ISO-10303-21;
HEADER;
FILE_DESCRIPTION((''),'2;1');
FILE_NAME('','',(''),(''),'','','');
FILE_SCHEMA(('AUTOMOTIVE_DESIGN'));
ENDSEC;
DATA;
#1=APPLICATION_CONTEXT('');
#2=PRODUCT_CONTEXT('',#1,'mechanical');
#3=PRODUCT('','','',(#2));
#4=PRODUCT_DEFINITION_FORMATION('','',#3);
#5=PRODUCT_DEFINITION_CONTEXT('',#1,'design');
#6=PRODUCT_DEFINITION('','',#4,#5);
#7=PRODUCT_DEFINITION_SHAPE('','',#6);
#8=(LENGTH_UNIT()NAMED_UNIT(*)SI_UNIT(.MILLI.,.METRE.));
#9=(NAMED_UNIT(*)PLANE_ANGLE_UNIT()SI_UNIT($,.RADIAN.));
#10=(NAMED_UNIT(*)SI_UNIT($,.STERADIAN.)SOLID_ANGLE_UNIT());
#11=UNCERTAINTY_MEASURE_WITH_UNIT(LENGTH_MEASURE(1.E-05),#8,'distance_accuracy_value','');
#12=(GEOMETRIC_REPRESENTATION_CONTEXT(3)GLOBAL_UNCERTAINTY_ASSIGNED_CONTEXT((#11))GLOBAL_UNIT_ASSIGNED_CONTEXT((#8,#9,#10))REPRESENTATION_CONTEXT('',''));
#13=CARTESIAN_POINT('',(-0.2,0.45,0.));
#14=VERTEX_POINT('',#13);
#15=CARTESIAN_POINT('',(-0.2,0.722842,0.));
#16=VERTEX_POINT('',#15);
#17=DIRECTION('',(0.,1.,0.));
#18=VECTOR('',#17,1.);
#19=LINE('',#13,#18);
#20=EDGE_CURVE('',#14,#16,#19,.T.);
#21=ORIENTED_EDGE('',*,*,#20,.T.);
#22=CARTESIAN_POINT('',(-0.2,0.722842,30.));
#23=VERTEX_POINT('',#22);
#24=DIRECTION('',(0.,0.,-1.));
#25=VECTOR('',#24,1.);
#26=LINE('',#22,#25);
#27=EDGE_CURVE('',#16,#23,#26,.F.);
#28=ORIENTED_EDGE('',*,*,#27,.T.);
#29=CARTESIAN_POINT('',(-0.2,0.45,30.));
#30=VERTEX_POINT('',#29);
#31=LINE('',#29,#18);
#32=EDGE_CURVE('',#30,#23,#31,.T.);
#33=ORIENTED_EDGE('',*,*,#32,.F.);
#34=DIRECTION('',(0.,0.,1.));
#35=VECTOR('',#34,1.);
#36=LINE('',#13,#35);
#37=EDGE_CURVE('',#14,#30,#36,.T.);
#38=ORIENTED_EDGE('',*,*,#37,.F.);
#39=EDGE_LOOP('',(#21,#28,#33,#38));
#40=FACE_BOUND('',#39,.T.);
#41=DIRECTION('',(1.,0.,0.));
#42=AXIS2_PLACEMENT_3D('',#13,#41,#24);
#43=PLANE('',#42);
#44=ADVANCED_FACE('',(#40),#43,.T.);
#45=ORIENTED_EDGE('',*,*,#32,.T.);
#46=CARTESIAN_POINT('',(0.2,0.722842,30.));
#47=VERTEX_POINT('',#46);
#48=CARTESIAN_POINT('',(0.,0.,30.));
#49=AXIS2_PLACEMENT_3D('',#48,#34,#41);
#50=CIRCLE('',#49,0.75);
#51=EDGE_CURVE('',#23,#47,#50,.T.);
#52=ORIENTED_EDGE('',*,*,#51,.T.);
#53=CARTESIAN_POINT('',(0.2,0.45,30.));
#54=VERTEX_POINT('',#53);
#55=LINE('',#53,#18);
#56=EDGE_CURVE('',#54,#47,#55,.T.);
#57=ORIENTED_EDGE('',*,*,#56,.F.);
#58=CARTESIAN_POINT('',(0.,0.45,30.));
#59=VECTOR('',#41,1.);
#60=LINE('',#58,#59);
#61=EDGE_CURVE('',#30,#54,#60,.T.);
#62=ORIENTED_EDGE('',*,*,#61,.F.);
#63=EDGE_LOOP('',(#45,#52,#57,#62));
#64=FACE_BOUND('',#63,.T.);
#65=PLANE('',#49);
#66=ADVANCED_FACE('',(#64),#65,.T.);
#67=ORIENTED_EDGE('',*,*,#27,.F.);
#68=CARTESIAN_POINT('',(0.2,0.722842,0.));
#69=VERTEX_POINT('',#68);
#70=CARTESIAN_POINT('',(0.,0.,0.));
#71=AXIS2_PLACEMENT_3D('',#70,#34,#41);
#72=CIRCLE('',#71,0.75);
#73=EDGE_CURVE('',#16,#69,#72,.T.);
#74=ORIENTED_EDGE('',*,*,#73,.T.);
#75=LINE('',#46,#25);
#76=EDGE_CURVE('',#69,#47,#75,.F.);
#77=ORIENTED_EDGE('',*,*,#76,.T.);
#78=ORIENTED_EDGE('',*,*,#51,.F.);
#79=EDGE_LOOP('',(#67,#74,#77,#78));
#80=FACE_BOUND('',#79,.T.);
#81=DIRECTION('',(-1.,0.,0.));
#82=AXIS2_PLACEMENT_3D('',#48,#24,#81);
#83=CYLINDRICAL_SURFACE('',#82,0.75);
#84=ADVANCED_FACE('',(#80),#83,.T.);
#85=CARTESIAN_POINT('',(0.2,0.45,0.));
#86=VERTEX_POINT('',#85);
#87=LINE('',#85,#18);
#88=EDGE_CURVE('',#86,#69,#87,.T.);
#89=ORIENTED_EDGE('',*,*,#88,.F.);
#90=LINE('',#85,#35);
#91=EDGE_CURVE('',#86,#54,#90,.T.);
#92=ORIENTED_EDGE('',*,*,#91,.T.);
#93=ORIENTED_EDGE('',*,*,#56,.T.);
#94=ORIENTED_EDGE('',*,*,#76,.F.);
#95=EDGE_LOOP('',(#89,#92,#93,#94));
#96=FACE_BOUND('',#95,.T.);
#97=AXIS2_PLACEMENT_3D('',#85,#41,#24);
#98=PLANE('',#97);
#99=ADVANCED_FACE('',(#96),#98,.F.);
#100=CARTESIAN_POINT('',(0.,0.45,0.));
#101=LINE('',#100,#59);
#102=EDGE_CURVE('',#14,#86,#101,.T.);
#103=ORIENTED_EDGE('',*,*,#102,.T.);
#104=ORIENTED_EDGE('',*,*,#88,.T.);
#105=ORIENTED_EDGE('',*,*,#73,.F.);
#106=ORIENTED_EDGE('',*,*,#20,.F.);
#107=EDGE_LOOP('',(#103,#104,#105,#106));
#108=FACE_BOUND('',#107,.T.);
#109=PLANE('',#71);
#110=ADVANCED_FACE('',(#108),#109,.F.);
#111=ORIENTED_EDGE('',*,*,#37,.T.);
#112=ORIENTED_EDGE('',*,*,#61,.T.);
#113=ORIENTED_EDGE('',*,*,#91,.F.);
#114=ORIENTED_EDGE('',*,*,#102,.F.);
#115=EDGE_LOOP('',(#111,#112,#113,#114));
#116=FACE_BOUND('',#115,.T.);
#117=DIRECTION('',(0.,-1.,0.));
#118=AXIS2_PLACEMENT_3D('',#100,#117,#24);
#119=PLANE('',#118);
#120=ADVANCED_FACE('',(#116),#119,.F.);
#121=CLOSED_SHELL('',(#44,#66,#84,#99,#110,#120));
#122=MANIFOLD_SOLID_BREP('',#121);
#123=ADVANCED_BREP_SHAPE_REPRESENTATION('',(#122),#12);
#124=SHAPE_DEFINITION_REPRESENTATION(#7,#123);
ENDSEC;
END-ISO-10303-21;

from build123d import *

# Parameters (mm, degrees)
SKETCH1_R           = 0.75
BOSS_EXTRUDE1_DEPTH = 30
SKETCH3_W           = 0.2
SKETCH3_H           = 0.357534677
CUT_EXTRUDE1_DEPTH  = 31.018744144


with BuildPart() as part:
    # Sketch1 → Boss-Extrude1 (new body)
    with BuildSketch(Plane.XY):
        Circle(SKETCH1_R)
    extrude(amount=BOSS_EXTRUDE1_DEPTH)

    # Sketch3 → Cut-Extrude1 (cut, through all)
    with BuildSketch(Plane.XY.offset(30)):
        with Locations((0.1, 0.628767338)):
            Rectangle(SKETCH3_W, SKETCH3_H)
    cut_extrude1 = extrude(amount=-CUT_EXTRUDE1_DEPTH, mode=Mode.SUBTRACT)

    # Mirror1: Cut-Extrude1 across plane
    add(cut_extrude1.mirror(Plane(origin=(0, 0, 0), x_dir=(0, 0, 1), z_dir=(1, 0, 0))), mode=Mode.SUBTRACT)


solid = part.part
